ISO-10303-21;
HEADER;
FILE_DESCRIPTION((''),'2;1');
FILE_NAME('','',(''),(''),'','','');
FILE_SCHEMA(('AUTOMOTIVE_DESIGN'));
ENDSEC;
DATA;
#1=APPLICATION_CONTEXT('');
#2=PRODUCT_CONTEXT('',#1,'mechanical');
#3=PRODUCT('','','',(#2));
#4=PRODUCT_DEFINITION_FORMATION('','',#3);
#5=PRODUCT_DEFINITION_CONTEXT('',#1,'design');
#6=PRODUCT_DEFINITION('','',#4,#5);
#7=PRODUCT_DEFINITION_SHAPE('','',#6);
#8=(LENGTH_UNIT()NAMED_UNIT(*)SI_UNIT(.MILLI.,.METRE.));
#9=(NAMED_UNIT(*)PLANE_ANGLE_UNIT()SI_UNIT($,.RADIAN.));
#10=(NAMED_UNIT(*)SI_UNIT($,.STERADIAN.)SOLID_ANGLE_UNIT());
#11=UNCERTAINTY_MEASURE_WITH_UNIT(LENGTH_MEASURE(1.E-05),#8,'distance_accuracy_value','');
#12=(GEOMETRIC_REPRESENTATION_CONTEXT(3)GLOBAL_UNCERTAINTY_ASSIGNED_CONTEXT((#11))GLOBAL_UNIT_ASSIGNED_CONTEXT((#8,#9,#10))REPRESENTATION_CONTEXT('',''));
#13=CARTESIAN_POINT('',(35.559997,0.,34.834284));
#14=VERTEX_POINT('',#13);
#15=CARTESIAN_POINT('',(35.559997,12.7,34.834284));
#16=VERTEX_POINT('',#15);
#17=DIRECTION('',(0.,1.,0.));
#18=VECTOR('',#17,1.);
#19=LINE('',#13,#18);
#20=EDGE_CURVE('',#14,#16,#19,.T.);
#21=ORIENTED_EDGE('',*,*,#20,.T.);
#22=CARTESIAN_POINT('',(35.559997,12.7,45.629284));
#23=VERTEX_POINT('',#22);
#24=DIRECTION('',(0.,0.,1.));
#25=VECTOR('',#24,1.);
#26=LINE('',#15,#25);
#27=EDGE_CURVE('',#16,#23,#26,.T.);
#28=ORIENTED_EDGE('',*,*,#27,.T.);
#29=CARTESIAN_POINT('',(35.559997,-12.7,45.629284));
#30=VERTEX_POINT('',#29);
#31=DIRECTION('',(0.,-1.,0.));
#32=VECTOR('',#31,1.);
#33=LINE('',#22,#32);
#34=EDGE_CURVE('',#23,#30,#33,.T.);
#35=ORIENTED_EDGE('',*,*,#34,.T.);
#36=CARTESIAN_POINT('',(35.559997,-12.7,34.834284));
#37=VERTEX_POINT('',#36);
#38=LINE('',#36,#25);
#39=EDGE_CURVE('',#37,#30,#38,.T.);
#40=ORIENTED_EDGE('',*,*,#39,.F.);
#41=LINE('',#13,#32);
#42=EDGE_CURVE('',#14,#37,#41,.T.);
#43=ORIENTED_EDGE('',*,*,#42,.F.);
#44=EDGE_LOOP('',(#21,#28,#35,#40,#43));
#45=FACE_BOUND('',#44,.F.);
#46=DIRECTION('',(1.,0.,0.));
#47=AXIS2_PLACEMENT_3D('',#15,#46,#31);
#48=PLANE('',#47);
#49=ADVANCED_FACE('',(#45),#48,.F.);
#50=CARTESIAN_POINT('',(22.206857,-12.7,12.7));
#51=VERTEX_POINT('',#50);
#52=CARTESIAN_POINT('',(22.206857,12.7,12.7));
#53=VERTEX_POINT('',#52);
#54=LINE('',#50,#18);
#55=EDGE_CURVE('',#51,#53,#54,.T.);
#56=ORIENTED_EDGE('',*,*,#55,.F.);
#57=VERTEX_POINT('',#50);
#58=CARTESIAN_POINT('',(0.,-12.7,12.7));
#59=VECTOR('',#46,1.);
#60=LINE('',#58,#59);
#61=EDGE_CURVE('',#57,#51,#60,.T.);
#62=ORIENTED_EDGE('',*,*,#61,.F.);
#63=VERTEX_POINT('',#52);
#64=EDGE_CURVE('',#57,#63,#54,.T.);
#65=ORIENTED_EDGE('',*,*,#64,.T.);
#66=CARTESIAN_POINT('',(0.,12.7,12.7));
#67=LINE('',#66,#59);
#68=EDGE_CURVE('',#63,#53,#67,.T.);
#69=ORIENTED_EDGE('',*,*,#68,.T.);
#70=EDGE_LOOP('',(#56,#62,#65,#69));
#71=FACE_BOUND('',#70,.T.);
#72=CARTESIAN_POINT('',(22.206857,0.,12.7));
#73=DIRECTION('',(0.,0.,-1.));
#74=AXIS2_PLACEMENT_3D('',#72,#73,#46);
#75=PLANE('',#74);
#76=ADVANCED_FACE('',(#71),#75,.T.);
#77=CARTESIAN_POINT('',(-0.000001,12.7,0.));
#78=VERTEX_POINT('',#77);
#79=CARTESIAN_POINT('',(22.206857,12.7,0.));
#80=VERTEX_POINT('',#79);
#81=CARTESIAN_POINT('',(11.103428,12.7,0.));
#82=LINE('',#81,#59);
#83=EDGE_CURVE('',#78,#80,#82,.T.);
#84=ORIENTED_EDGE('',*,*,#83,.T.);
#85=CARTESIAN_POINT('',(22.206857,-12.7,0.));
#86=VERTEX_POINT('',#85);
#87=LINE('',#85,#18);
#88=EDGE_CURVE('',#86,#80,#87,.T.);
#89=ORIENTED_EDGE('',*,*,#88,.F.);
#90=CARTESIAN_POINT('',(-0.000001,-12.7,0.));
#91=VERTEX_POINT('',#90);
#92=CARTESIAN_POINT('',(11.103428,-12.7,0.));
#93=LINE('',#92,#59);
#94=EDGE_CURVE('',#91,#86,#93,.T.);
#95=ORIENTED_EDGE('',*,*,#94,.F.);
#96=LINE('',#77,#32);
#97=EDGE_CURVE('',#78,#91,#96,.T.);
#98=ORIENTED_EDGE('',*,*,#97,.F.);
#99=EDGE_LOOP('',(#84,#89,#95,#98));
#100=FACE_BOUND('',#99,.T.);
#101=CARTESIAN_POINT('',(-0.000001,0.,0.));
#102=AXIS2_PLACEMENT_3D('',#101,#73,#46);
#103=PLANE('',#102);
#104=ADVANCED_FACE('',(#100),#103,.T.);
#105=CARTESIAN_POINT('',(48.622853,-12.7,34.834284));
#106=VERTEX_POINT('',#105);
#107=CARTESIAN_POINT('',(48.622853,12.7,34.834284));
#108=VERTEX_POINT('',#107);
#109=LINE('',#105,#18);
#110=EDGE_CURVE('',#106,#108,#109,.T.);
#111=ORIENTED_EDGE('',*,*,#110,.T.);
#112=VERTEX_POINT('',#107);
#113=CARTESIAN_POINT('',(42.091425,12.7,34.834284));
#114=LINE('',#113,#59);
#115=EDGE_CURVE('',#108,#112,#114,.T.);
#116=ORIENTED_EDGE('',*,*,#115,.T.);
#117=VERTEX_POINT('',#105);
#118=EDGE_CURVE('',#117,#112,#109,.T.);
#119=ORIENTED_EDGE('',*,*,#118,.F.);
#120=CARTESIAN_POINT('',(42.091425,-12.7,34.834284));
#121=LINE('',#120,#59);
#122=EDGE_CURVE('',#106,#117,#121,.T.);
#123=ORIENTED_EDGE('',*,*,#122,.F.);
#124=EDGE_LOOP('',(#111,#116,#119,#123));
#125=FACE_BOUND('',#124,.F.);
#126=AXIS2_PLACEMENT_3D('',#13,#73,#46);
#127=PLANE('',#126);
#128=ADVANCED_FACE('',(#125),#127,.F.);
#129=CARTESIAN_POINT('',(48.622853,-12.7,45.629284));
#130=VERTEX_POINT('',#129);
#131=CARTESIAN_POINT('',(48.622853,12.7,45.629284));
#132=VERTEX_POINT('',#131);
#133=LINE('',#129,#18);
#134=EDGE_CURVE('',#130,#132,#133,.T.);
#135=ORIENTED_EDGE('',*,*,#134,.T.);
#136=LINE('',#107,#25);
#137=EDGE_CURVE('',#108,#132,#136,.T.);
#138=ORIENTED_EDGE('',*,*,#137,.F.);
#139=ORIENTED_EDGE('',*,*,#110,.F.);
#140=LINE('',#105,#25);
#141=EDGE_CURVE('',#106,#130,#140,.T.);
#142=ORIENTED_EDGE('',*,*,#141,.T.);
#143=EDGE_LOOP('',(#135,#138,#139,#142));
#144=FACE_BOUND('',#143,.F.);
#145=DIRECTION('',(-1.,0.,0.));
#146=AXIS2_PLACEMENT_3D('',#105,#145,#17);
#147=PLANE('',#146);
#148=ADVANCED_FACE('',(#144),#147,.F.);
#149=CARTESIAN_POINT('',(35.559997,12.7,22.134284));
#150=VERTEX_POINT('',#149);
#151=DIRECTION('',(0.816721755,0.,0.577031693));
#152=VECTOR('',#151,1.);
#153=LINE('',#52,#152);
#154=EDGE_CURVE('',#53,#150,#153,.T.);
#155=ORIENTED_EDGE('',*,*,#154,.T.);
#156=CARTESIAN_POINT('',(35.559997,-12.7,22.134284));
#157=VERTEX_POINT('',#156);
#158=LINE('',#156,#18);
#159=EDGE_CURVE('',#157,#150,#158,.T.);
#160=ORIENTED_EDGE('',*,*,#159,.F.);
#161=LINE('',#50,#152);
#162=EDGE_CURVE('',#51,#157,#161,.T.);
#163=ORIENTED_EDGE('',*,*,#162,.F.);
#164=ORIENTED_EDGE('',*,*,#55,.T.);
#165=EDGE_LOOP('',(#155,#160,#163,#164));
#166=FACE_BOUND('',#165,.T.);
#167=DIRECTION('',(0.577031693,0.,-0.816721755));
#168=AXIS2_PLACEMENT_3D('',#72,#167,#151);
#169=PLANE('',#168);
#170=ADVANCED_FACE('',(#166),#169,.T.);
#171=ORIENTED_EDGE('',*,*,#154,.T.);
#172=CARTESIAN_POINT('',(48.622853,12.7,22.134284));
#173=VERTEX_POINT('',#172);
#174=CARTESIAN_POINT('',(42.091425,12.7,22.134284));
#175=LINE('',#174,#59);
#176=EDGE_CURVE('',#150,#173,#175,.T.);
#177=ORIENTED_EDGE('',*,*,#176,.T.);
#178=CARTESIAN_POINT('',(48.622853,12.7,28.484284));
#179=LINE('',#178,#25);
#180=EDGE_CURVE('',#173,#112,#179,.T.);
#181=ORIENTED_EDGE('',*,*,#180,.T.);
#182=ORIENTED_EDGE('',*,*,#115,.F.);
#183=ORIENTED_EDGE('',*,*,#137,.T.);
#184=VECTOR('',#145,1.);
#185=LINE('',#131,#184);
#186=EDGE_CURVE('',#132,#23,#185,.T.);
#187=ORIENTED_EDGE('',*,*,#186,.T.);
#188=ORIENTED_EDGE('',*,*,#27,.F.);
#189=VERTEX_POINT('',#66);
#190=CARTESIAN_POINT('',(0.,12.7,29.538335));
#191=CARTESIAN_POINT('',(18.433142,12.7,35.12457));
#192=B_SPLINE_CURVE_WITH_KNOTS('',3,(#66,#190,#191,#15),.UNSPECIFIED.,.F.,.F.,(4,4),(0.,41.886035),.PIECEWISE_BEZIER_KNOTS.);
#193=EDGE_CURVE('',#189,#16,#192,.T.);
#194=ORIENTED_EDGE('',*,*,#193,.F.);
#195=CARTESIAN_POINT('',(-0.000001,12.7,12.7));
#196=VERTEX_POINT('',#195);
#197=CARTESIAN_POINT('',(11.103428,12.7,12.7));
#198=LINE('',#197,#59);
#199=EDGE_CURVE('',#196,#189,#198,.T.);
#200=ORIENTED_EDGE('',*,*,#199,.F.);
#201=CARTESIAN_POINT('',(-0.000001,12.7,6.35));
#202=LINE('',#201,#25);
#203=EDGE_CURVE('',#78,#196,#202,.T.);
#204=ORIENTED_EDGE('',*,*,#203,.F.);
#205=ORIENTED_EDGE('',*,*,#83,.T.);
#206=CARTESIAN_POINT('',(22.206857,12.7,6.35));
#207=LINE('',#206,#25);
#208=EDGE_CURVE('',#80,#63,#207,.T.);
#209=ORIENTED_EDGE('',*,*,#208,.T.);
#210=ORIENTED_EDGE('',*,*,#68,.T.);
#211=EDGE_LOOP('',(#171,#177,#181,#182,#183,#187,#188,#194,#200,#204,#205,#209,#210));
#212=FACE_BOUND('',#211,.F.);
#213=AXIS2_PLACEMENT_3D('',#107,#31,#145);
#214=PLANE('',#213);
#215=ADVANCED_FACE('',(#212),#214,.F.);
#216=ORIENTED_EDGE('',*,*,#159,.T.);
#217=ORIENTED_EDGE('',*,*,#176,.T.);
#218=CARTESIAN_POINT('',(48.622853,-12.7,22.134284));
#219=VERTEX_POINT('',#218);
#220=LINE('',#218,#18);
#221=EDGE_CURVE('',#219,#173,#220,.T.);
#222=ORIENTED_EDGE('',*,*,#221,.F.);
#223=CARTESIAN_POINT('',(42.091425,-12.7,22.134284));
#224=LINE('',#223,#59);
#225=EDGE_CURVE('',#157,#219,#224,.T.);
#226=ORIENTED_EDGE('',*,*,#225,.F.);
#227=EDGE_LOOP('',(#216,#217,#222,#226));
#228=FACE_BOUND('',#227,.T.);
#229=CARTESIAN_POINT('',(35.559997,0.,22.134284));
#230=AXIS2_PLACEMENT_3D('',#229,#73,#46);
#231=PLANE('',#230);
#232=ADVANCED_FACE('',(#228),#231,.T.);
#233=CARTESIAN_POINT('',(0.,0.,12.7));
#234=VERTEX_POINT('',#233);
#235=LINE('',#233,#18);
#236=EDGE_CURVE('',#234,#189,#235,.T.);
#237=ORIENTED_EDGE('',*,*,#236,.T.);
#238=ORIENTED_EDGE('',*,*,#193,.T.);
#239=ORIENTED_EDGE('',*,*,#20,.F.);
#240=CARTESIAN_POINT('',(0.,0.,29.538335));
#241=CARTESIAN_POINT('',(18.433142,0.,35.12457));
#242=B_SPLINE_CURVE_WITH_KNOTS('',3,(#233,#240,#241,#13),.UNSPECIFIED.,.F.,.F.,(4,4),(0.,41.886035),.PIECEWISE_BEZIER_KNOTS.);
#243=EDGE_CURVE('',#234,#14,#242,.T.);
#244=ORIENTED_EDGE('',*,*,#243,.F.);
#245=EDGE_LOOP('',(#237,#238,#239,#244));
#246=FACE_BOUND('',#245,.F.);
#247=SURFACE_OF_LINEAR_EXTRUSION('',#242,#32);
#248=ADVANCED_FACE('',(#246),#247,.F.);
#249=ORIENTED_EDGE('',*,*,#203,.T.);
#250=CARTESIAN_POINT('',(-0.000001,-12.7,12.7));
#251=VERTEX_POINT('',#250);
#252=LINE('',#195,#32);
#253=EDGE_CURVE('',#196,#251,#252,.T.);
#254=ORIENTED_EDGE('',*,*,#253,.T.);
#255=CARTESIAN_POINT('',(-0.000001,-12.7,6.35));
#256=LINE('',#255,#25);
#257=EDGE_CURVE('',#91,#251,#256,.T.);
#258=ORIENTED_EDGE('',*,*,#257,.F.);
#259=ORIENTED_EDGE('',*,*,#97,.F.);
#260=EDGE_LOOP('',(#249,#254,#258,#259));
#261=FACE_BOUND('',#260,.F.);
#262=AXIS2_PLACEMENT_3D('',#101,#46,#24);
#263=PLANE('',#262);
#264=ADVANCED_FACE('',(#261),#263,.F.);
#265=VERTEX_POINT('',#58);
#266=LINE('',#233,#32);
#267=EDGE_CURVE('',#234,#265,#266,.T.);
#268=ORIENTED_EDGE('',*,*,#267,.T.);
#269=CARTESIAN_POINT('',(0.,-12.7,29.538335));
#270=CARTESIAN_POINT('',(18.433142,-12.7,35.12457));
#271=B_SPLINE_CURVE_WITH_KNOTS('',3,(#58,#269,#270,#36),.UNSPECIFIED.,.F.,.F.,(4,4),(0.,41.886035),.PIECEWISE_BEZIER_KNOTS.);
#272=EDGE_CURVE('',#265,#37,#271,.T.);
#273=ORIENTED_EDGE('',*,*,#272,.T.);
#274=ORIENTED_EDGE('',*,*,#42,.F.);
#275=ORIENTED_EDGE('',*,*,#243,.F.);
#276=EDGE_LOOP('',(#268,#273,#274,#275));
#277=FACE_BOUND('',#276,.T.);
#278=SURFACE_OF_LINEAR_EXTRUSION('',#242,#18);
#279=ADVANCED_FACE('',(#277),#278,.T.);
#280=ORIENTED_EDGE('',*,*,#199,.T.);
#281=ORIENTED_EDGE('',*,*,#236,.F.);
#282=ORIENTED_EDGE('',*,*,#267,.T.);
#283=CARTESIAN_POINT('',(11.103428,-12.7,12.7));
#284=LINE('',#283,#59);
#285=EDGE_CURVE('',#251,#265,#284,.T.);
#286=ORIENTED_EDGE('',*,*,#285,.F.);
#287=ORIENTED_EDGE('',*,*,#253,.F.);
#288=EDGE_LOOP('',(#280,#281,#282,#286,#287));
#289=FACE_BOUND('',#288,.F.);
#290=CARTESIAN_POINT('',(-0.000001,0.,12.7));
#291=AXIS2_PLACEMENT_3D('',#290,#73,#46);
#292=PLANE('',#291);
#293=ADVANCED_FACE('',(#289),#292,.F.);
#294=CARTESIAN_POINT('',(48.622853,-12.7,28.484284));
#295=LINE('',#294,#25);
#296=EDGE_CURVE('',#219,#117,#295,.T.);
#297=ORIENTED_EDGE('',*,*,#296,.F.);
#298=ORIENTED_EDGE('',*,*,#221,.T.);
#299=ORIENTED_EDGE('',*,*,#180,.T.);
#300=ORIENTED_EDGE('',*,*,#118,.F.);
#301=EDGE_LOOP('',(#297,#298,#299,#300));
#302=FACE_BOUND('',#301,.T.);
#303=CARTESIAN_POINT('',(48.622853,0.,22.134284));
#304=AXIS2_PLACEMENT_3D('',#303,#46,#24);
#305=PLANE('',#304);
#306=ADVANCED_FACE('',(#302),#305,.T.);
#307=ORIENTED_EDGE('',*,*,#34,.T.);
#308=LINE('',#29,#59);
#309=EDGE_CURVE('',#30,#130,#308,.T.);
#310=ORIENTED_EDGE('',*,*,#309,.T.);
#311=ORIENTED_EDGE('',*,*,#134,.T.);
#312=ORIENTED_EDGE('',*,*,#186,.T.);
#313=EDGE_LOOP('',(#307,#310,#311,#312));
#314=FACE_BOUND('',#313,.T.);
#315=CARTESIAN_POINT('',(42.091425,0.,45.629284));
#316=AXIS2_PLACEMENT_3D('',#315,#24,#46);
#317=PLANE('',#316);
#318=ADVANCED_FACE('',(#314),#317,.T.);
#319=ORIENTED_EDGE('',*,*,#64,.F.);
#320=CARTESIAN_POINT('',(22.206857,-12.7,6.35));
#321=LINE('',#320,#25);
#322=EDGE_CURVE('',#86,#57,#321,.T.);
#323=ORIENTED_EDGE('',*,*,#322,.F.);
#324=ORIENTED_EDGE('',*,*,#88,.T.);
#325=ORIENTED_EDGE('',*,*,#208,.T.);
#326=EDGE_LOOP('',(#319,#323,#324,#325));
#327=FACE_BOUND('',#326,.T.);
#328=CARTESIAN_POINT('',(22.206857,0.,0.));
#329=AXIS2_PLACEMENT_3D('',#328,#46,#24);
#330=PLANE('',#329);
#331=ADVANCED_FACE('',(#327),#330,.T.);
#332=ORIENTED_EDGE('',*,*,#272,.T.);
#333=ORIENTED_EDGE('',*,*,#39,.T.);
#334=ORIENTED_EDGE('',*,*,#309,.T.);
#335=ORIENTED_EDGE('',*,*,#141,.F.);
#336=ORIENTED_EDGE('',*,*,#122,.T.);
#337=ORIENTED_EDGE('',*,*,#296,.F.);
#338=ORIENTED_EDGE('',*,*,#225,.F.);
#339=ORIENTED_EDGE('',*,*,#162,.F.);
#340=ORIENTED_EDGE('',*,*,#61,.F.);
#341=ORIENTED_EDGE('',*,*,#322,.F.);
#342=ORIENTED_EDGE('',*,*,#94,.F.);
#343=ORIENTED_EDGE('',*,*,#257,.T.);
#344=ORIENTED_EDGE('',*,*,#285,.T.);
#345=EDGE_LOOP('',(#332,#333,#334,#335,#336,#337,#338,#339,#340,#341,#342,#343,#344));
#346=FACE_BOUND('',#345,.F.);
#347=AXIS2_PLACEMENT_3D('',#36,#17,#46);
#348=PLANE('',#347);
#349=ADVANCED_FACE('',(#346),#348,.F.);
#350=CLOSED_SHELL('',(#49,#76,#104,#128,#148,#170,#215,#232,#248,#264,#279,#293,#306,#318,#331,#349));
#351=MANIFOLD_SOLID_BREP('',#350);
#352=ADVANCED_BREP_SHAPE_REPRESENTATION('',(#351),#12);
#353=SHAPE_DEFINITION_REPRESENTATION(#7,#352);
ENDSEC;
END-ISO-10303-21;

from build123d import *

# Parameters (mm, degrees)
F0_W     = 22.206857
F0_H     = 12.7
F0_W_2   = 13.062857
F1_DEPTH = 12.7
F2_DEPTH = 10.795


with BuildPart() as f1:
    # F0 (on Front) → F1 (new body, symmetric)
    with BuildSketch(Plane.XZ):
        with BuildLine():
            add(Edge.make_bspline(
                [(0, 12.7), (0, 29.538335), (18.433142, 35.12457), (35.559997, 34.834284)],
                knots=[0, 0, 0, 0, 41.886035, 41.886035, 41.886035, 41.886035], degree=3))
            Line((0, 12.7), (22.206857, 12.7))
            Line((22.206857, 12.7), (35.559997, 22.134284))
            Line((35.559997, 22.134284), (35.559997, 34.834284))
        make_face()
        with Locations((11.103428, 6.35)):
            Rectangle(F0_W, F0_H)
        with Locations((42.091425, 28.484284)):
            Rectangle(F0_W_2, F0_H)
    extrude(amount=F1_DEPTH, both=True)

    # F1_face (on face) → F2 (join)
    with BuildSketch(Plane(origin=(42.091425, 0, 34.834284), x_dir=(1, 0, 0), z_dir=(0, 0, 1))):
        Polygon((6.531428, -12.7), (6.531428, 12.7), (-6.531428, 12.7), (-6.531428, 0), (-6.531428, -12.7), align=None)
    extrude(amount=F2_DEPTH)


solid = f1.part
